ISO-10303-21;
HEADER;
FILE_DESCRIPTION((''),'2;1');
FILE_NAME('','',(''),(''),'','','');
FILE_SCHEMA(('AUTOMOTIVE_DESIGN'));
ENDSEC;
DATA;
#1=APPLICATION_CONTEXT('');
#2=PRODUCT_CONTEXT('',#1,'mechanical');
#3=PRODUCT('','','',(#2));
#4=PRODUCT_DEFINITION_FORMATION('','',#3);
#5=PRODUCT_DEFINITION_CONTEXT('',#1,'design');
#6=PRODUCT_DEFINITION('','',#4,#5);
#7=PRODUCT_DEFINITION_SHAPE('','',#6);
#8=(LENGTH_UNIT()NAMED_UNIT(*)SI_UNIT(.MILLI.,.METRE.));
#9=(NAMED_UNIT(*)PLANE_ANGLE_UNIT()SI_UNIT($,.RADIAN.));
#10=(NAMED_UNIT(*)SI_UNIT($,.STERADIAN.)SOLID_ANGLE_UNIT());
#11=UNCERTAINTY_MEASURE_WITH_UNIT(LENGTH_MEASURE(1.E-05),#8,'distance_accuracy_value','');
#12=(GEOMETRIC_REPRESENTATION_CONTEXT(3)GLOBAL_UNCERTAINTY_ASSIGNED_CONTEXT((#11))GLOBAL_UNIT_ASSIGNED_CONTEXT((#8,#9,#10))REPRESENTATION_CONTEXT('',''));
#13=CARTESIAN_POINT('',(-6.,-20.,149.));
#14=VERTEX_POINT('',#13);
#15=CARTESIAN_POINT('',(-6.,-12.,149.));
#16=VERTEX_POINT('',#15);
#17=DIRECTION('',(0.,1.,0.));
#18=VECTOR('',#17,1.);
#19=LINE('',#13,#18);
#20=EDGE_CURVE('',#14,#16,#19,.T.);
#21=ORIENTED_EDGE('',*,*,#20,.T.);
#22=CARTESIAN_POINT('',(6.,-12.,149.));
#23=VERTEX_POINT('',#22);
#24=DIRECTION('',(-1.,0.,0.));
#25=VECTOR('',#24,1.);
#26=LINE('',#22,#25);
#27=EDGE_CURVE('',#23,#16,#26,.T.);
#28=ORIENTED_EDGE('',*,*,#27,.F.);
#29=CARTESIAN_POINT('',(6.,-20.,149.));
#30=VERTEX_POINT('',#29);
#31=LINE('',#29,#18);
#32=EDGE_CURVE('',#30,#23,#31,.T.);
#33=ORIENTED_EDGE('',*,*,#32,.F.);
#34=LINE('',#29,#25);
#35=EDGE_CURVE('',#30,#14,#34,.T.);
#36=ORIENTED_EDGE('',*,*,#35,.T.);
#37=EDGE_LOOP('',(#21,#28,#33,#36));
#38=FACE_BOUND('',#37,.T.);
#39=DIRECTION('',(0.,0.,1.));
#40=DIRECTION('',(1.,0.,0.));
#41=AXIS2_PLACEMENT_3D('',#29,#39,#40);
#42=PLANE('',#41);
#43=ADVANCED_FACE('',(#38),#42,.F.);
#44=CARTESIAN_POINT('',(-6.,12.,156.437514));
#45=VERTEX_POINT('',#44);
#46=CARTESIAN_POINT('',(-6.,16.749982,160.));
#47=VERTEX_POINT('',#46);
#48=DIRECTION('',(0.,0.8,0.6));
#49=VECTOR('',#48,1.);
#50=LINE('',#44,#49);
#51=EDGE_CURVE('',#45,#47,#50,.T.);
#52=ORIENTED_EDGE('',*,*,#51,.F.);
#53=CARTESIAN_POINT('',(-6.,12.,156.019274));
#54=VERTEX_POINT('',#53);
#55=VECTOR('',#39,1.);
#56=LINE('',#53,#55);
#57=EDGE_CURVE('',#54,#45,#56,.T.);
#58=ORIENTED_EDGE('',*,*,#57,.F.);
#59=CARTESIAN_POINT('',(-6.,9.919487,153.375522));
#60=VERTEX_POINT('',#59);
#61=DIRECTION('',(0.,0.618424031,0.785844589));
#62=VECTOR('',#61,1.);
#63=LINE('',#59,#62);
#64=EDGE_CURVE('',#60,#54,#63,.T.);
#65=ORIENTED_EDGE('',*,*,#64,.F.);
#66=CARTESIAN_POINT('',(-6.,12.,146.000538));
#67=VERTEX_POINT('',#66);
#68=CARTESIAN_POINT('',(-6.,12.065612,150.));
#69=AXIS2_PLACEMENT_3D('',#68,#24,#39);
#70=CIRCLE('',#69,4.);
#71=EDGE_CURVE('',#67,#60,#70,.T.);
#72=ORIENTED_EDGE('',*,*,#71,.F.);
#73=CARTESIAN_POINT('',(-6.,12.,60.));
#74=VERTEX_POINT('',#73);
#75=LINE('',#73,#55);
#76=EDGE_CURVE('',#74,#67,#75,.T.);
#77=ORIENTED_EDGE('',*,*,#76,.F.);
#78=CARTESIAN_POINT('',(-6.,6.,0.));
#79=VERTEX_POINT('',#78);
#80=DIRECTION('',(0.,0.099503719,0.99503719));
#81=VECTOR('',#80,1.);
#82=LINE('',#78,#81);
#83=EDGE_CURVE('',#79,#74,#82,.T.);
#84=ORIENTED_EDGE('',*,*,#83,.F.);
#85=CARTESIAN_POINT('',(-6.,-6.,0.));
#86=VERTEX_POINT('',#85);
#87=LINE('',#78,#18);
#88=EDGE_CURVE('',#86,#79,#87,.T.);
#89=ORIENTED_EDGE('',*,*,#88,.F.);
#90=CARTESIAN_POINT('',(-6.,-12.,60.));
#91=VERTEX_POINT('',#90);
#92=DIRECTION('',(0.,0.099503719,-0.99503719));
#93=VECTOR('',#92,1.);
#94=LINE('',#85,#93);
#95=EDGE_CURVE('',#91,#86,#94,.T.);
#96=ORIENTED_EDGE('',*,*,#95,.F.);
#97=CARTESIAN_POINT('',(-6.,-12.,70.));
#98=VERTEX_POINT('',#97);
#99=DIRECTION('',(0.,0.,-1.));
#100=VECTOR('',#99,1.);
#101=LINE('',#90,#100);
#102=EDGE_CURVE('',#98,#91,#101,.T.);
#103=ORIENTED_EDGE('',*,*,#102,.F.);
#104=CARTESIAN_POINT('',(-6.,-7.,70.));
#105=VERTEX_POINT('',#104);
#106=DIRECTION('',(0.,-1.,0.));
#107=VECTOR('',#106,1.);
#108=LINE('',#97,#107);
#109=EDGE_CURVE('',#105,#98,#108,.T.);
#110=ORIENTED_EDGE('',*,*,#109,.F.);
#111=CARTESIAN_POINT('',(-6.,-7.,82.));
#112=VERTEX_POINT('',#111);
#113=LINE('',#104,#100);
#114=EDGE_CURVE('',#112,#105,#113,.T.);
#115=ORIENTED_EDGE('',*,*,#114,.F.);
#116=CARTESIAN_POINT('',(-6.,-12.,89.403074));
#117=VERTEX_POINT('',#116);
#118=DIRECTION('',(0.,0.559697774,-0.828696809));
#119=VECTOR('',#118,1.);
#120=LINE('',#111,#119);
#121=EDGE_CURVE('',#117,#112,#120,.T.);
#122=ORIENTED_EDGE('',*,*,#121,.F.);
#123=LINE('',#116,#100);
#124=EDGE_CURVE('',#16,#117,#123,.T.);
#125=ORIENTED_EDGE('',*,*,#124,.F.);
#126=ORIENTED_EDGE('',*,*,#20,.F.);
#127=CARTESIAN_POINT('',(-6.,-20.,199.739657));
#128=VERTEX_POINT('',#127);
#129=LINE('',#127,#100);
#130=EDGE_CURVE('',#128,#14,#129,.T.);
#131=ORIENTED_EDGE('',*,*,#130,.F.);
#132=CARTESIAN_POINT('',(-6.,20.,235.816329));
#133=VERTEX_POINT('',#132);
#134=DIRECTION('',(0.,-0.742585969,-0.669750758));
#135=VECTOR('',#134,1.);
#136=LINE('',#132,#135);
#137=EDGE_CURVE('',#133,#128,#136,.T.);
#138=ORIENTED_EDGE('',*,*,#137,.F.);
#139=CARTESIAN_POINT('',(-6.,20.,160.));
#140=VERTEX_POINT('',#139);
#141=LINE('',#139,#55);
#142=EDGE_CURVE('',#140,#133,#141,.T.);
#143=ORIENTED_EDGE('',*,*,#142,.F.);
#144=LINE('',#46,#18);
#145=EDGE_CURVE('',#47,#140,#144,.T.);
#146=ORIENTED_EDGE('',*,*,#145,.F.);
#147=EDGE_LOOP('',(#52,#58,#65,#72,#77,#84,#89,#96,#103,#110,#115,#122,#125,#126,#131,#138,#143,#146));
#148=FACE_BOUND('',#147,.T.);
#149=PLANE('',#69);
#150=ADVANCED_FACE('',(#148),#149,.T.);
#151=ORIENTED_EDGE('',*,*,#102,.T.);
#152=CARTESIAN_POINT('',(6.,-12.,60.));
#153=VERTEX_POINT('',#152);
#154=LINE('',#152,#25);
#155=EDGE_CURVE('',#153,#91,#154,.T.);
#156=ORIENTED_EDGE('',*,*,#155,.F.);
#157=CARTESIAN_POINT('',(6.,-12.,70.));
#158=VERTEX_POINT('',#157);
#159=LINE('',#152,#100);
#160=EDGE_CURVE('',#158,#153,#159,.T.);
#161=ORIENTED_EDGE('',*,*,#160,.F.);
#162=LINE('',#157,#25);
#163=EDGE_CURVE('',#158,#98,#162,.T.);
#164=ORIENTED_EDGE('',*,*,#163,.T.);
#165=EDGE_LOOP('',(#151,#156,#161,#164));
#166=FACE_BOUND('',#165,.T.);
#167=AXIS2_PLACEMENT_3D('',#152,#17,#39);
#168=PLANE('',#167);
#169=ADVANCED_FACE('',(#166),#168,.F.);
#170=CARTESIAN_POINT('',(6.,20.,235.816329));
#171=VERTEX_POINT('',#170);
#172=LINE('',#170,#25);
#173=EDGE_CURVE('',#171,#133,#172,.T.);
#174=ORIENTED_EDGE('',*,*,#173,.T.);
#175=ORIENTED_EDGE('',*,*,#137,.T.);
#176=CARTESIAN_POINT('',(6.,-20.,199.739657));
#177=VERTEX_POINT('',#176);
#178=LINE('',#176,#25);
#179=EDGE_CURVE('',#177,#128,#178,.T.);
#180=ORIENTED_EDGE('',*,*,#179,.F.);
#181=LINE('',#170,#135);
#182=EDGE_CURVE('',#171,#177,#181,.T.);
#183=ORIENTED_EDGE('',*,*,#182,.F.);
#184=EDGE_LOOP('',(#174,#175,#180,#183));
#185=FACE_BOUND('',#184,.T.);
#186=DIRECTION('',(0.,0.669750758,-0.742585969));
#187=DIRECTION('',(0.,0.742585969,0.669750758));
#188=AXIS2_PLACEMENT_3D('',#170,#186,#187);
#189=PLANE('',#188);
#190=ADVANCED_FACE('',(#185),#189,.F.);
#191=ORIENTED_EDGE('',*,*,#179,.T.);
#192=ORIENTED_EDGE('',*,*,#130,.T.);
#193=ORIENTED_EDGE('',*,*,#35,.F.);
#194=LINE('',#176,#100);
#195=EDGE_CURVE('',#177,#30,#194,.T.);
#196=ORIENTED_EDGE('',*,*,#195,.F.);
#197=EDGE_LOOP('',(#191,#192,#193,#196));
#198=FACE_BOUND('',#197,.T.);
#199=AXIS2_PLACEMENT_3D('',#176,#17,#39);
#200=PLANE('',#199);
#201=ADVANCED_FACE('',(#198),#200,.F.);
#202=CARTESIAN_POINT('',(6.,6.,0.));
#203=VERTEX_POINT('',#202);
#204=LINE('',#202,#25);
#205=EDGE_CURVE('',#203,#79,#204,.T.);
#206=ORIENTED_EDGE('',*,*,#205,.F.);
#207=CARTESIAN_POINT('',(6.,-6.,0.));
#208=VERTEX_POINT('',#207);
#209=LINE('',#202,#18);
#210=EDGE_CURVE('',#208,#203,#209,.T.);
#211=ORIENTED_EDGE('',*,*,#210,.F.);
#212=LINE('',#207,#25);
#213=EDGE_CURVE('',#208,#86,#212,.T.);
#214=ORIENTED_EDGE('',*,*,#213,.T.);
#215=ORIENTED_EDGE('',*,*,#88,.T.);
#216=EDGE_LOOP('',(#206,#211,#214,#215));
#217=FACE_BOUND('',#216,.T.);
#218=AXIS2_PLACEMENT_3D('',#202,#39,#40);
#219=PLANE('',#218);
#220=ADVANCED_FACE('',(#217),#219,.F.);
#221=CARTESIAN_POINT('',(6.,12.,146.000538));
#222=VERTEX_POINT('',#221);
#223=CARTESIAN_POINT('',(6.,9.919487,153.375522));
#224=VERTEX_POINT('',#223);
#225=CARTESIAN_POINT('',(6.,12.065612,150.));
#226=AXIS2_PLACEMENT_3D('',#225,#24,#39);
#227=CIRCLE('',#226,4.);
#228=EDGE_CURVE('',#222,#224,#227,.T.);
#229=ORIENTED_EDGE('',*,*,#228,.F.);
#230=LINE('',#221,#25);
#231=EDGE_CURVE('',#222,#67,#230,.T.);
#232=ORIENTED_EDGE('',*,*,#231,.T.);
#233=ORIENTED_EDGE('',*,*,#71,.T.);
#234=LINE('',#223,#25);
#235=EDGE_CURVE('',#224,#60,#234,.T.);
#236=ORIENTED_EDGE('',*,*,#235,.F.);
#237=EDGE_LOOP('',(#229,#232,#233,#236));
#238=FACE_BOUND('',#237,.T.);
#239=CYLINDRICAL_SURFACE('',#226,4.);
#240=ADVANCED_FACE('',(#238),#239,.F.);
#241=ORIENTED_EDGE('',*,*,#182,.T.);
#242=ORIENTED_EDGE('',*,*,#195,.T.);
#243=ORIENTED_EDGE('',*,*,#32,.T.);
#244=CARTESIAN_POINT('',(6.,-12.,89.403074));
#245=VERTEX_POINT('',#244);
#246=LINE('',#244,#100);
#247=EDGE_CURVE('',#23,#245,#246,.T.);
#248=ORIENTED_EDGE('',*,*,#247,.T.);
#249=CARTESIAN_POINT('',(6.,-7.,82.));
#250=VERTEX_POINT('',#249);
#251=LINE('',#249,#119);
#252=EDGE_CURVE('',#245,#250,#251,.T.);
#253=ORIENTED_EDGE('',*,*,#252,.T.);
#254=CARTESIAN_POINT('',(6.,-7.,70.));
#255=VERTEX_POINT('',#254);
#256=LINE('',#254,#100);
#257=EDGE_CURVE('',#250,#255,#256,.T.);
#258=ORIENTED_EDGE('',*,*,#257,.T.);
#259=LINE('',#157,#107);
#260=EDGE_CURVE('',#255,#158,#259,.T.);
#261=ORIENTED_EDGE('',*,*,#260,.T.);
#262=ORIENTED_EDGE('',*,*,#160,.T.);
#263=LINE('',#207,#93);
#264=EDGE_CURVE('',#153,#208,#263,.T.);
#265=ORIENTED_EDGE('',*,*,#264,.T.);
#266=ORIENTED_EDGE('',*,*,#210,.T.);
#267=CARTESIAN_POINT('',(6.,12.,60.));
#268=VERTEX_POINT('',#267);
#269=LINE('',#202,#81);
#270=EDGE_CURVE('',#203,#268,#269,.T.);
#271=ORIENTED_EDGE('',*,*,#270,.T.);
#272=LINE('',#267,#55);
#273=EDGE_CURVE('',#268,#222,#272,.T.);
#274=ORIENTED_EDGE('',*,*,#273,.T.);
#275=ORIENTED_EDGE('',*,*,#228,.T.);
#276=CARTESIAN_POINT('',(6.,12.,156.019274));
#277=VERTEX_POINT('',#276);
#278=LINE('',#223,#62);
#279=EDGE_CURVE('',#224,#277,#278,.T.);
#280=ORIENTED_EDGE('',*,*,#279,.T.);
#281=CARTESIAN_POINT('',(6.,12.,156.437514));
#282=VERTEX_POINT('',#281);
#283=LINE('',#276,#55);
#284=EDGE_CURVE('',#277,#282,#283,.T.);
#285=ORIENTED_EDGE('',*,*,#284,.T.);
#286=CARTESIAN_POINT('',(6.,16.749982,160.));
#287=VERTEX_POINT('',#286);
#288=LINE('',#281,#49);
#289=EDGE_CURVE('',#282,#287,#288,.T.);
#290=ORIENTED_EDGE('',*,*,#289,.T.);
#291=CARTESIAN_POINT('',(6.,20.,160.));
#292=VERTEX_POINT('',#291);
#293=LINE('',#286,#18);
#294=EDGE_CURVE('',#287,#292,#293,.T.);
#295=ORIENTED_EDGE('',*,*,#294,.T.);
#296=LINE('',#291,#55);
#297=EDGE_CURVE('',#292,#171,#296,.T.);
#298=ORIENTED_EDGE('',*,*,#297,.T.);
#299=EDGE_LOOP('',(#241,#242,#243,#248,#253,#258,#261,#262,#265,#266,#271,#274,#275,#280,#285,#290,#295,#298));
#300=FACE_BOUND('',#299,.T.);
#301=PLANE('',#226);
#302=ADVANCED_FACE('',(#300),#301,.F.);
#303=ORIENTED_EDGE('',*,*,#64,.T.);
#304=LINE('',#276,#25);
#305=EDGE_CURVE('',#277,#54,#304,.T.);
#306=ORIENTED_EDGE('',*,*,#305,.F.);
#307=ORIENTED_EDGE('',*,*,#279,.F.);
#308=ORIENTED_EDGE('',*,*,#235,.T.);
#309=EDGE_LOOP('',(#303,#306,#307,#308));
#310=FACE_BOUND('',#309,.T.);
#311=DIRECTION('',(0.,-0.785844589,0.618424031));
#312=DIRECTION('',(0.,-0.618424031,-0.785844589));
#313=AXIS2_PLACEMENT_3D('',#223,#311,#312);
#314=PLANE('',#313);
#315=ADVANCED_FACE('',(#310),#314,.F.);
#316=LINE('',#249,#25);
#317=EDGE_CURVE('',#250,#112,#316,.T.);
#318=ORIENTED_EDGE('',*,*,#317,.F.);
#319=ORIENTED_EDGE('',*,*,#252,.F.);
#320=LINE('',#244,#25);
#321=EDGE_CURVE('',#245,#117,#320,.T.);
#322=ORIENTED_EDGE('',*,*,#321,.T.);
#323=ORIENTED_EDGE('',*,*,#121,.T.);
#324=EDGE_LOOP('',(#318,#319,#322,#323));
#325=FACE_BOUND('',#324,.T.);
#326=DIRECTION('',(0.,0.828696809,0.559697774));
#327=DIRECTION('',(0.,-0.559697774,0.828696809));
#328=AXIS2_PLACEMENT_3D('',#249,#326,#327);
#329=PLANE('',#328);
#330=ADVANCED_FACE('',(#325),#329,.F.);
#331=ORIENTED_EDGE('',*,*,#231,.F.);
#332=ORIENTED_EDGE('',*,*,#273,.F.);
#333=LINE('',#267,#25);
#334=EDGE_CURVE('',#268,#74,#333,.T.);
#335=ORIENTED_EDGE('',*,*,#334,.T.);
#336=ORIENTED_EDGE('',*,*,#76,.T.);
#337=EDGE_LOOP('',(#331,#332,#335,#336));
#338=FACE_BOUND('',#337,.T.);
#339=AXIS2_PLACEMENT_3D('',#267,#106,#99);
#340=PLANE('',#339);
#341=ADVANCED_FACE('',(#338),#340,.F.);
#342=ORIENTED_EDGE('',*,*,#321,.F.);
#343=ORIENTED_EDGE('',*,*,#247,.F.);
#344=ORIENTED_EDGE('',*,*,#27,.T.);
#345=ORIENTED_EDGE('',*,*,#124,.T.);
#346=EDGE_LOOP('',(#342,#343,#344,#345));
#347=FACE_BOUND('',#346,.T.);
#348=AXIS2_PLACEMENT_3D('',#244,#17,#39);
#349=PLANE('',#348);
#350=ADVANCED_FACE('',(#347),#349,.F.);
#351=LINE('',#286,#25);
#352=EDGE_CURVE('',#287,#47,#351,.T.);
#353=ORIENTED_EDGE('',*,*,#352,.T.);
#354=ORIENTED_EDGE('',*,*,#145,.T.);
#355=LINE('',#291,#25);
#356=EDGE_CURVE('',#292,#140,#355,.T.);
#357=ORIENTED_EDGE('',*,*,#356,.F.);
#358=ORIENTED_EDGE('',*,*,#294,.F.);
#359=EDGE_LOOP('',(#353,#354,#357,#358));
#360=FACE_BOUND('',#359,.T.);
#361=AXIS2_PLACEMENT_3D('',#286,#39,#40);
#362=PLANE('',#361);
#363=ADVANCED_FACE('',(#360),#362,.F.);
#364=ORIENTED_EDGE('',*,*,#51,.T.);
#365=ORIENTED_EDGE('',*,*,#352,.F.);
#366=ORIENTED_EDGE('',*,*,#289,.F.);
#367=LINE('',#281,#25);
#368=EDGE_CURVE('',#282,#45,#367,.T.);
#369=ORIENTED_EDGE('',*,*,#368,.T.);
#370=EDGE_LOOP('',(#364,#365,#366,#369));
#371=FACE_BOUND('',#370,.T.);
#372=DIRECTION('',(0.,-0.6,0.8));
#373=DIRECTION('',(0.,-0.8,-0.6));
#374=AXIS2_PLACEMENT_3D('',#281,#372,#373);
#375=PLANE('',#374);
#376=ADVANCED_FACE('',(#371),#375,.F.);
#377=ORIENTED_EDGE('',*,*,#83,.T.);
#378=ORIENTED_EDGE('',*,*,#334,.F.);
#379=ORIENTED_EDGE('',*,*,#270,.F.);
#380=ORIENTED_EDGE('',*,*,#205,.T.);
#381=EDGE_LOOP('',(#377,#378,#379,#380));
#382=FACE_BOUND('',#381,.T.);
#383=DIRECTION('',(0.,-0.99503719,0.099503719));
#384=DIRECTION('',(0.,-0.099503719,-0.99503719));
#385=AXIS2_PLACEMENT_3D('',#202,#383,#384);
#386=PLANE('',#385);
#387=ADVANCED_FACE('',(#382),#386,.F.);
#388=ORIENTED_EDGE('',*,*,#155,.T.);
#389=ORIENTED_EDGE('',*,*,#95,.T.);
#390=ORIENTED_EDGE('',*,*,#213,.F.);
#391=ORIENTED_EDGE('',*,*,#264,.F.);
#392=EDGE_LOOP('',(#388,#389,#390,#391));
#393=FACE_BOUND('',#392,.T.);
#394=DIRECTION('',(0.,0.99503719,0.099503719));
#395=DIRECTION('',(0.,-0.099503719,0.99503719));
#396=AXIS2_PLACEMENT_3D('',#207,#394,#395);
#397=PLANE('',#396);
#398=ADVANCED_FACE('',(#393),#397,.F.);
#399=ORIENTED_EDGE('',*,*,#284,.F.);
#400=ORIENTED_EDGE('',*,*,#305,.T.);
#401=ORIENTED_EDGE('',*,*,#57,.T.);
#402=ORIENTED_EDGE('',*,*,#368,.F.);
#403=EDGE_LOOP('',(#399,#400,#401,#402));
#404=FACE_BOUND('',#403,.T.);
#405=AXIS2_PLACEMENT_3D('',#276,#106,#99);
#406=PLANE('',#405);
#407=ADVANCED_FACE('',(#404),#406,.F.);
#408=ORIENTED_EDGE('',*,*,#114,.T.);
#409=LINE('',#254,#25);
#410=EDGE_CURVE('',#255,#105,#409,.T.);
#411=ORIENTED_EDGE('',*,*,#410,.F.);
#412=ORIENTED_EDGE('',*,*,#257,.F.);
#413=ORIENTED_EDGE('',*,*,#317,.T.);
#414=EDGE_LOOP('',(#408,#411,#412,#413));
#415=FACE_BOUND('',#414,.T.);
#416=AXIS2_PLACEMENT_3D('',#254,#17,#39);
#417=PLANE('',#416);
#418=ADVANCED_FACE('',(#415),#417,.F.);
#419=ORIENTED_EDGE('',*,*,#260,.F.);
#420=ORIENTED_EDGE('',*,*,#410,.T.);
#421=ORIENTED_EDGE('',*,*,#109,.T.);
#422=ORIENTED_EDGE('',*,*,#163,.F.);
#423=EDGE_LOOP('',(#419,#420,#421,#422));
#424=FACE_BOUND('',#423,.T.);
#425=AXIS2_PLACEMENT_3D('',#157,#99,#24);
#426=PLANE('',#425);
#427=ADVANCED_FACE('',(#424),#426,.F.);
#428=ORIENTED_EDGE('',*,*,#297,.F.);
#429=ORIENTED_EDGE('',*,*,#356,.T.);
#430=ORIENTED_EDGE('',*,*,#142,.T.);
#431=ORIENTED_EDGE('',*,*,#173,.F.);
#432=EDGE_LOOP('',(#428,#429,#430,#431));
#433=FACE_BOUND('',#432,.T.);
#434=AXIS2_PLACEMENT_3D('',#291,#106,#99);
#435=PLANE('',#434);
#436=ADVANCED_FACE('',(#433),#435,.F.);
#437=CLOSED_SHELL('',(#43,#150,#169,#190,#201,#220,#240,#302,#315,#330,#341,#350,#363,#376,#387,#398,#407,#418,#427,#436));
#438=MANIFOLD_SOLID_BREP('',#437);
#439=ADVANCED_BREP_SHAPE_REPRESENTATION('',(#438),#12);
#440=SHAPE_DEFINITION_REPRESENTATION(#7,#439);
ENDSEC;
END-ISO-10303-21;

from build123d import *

# Parameters (mm, degrees)
EXTRUDE_1_DEPTH = 6


with BuildPart() as part:
    # 스케치1 → 보스-돌출1 (new, symmetric)
    with BuildSketch(Plane(origin=(0, 0, 0), x_dir=(0, 0, -1), z_dir=(1, 0, 0))):
        with BuildLine():
            Line((0, 6), (0, -6))
            Line((0, -6), (-60, -12))
            Line((-60, -12), (-70, -12))
            Line((-70, -12), (-70, -7))
            Line((-70, -7), (-82, -7))
            Line((-82, -7), (-89.403074012, -12))
            Line((-89.403074012, -12), (-149, -12))
            Line((-149, -12), (-149, -20))
            Line((-149, -20), (-199.739657381, -20))
            Line((-199.739657381, -20), (-235.816329231, 20))
            Line((-235.816329231, 20), (-160, 20))
            Line((-160, 20), (-160, 16.749981814))
            Line((-160, 16.749981814), (-156.437513639, 12))
            Line((-156.437513639, 12), (-156.019273901, 12))
            Line((-156.019273901, 12), (-153.375521927, 9.919487169))
            ThreePointArc((-153.375521927, 9.919487169), (-148.913971149, 8.215866364), (-146.000538153, 12))
            Line((-146.000538153, 12), (-60, 12))
            Line((-60, 12), (0, 6))
        make_face()
    extrude(amount=EXTRUDE_1_DEPTH, both=True)


solid = part.part
